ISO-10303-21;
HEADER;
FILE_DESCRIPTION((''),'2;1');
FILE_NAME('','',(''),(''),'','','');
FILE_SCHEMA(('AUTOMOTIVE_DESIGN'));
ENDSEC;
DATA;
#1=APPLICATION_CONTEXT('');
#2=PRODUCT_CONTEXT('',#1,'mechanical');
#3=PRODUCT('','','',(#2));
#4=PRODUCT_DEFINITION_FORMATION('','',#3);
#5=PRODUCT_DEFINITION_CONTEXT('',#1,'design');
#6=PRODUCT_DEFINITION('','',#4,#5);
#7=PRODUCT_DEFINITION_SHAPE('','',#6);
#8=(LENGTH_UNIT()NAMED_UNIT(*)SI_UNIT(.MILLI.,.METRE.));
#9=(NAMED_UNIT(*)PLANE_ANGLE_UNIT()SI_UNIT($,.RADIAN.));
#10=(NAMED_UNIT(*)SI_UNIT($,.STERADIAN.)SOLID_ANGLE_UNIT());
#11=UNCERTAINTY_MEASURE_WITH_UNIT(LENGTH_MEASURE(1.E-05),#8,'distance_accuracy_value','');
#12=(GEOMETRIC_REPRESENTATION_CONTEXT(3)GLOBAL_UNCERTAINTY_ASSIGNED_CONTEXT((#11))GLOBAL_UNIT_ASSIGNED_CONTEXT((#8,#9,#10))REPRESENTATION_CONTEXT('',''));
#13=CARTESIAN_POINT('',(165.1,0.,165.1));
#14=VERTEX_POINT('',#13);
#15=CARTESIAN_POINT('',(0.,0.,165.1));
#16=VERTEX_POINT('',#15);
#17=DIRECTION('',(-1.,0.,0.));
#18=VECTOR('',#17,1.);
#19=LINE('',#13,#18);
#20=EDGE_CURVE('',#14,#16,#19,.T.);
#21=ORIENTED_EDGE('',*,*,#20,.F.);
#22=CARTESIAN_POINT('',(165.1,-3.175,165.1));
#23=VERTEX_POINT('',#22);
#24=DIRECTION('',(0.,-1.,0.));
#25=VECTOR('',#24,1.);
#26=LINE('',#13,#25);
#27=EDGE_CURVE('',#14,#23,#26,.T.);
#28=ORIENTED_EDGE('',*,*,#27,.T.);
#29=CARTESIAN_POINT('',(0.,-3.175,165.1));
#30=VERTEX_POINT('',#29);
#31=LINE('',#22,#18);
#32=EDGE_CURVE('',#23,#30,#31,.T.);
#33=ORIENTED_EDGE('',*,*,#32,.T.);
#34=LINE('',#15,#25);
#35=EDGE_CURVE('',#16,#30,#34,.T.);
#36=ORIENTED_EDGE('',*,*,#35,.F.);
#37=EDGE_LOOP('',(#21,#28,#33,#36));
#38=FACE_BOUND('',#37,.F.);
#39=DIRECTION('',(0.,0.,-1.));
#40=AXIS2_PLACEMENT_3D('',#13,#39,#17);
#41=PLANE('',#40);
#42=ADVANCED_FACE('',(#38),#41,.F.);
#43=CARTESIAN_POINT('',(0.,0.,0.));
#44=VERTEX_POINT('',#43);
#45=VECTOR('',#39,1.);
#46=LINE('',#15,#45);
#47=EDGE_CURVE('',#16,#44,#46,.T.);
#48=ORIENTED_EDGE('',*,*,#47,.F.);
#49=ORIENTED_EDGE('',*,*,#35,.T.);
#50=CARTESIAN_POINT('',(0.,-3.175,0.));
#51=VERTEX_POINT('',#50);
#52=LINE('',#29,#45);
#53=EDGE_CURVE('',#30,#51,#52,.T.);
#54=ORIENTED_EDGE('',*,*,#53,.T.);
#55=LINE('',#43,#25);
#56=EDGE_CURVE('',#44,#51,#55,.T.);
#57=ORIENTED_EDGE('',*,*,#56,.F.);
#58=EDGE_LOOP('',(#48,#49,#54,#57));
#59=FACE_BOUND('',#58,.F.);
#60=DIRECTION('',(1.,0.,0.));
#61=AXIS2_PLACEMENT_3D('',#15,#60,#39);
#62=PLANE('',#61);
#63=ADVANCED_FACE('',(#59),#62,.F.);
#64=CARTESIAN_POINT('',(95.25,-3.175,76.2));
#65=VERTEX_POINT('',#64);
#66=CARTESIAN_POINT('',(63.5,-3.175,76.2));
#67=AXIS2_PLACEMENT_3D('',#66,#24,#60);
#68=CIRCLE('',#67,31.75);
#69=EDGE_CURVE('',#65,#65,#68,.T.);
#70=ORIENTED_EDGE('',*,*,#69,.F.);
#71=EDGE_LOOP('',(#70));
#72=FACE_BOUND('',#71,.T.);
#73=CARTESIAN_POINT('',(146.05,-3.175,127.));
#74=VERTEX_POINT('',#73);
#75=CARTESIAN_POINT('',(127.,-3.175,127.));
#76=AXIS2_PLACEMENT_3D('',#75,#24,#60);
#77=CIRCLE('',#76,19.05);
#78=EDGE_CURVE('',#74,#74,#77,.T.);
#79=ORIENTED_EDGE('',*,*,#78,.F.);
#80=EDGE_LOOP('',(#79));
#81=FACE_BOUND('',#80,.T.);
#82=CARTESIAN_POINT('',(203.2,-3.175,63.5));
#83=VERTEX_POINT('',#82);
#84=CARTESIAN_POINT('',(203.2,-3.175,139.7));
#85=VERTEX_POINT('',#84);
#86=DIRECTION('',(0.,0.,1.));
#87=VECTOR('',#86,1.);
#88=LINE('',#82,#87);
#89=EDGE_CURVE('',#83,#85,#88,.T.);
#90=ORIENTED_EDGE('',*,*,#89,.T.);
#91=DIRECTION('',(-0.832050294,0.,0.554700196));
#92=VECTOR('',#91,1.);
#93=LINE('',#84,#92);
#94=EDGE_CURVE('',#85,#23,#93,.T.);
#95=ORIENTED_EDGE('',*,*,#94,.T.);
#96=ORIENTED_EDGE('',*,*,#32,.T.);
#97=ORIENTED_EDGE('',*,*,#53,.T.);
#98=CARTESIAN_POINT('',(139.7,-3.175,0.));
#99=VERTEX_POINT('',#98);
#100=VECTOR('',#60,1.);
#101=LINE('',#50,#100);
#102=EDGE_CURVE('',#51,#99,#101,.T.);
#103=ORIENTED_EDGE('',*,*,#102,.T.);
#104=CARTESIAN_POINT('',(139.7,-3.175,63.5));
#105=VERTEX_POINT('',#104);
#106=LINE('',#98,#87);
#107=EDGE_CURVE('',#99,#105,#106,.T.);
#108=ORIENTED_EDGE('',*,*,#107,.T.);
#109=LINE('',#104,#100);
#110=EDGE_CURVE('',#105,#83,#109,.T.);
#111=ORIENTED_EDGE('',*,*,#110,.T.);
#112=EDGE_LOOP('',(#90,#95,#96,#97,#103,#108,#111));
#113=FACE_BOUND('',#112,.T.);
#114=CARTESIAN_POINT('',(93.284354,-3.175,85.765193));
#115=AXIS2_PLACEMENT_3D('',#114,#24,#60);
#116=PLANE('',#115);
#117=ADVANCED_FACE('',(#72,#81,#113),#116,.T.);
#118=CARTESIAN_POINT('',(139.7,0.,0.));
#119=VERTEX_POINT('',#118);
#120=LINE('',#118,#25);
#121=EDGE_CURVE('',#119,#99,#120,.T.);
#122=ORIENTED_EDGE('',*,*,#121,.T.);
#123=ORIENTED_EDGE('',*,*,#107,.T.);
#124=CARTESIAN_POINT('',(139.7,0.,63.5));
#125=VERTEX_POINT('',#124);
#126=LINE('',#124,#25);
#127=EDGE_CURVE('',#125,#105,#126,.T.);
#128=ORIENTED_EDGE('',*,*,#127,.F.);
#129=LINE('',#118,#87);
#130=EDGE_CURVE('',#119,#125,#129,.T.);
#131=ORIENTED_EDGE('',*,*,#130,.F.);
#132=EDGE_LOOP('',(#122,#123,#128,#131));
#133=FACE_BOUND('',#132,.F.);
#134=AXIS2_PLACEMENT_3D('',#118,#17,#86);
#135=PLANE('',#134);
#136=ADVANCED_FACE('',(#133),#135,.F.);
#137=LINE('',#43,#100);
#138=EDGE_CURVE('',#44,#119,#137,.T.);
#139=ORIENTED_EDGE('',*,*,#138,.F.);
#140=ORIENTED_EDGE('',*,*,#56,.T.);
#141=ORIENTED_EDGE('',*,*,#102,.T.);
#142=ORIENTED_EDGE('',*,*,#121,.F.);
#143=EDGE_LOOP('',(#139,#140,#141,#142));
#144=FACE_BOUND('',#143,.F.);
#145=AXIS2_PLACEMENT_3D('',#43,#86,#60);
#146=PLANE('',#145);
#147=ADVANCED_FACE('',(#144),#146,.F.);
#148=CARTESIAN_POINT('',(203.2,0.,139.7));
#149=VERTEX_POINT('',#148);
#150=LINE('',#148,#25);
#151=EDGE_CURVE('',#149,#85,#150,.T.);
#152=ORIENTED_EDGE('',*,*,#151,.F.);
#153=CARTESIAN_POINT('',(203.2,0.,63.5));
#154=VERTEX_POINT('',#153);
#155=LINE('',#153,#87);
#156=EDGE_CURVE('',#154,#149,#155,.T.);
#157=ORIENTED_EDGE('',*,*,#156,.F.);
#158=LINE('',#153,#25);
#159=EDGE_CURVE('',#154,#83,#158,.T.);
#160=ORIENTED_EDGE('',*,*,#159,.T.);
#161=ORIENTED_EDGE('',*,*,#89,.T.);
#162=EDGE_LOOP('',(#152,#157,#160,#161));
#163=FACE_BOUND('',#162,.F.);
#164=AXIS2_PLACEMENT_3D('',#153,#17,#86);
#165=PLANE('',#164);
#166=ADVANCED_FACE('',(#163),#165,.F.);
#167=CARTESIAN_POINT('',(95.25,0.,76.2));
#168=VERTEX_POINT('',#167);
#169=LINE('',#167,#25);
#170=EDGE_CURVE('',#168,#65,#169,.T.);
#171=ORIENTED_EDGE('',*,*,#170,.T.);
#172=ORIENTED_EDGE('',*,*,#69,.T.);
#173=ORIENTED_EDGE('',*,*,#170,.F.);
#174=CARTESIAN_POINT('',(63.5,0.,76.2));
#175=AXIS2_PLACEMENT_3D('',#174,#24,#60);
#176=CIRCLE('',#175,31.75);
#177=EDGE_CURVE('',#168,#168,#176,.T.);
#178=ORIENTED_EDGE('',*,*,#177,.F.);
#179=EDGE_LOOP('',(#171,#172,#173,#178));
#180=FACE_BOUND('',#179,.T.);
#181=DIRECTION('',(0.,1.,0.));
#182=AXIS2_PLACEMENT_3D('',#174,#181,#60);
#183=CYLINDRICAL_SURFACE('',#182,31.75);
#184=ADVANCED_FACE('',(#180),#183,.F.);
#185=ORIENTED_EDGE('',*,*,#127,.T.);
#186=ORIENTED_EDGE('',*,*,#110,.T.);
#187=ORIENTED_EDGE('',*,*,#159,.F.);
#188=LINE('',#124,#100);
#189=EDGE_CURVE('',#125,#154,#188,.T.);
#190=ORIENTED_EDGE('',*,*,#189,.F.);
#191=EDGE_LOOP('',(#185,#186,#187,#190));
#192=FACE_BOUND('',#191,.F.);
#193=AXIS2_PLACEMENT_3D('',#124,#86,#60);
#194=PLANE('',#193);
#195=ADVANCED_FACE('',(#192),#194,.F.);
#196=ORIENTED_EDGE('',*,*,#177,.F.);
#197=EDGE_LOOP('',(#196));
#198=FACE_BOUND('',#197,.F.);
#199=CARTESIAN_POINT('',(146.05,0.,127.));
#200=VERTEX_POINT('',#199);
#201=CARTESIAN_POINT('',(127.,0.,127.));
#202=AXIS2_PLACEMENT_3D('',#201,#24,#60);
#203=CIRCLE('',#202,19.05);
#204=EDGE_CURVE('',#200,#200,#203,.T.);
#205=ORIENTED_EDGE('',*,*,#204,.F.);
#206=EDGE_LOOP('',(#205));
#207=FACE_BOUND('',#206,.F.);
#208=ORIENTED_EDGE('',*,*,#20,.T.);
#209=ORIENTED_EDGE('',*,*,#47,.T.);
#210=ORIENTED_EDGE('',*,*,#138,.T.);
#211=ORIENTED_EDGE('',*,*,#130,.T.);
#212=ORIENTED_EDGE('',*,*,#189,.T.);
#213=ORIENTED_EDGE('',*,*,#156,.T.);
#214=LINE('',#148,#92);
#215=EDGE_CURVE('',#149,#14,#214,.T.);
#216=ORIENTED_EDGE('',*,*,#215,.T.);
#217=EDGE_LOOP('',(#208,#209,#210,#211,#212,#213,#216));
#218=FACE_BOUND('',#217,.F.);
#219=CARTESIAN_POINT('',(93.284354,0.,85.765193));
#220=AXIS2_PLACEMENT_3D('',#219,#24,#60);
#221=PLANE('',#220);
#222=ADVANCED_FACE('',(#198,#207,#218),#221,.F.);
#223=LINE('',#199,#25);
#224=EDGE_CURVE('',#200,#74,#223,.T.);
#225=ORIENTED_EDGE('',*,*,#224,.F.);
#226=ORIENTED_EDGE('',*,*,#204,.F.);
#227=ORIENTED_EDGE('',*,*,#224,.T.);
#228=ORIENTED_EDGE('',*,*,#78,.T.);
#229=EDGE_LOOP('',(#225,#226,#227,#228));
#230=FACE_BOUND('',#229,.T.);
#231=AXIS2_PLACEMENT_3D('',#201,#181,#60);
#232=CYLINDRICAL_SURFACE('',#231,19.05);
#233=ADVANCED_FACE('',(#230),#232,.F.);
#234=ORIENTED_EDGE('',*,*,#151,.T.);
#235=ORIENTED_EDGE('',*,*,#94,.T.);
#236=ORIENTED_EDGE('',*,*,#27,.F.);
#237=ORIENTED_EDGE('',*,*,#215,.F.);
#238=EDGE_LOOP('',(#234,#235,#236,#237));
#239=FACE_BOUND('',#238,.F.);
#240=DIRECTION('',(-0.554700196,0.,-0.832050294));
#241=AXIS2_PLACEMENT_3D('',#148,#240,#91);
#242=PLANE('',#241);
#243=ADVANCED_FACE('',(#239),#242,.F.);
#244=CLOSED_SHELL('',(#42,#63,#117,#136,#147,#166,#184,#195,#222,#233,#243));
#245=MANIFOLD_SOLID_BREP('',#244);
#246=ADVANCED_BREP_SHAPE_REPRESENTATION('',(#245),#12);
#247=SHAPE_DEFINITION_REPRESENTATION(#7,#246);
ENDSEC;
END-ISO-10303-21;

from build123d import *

# Parameters (mm, degrees)
F0_R     = 31.75
F0_R_2   = 19.05
F1_DEPTH = 3.175


with BuildPart() as f1:
    # F0 (on Front) → F1 (new body)
    with BuildSketch(Plane.XZ):
        Polygon((0, 76.2), (0, 0), (63.5, 0), (139.7, 0), (139.7, 63.5), (203.2, 63.5), (203.2, 139.7), (165.1, 165.1), (127, 165.1), (0, 165.1), (0, 127), align=None)
        with Locations((63.5, 76.2)):
            Circle(F0_R, mode=Mode.SUBTRACT)
        with Locations((127, 127)):
            Circle(F0_R_2, mode=Mode.SUBTRACT)
    extrude(amount=F1_DEPTH)


solid = f1.part
